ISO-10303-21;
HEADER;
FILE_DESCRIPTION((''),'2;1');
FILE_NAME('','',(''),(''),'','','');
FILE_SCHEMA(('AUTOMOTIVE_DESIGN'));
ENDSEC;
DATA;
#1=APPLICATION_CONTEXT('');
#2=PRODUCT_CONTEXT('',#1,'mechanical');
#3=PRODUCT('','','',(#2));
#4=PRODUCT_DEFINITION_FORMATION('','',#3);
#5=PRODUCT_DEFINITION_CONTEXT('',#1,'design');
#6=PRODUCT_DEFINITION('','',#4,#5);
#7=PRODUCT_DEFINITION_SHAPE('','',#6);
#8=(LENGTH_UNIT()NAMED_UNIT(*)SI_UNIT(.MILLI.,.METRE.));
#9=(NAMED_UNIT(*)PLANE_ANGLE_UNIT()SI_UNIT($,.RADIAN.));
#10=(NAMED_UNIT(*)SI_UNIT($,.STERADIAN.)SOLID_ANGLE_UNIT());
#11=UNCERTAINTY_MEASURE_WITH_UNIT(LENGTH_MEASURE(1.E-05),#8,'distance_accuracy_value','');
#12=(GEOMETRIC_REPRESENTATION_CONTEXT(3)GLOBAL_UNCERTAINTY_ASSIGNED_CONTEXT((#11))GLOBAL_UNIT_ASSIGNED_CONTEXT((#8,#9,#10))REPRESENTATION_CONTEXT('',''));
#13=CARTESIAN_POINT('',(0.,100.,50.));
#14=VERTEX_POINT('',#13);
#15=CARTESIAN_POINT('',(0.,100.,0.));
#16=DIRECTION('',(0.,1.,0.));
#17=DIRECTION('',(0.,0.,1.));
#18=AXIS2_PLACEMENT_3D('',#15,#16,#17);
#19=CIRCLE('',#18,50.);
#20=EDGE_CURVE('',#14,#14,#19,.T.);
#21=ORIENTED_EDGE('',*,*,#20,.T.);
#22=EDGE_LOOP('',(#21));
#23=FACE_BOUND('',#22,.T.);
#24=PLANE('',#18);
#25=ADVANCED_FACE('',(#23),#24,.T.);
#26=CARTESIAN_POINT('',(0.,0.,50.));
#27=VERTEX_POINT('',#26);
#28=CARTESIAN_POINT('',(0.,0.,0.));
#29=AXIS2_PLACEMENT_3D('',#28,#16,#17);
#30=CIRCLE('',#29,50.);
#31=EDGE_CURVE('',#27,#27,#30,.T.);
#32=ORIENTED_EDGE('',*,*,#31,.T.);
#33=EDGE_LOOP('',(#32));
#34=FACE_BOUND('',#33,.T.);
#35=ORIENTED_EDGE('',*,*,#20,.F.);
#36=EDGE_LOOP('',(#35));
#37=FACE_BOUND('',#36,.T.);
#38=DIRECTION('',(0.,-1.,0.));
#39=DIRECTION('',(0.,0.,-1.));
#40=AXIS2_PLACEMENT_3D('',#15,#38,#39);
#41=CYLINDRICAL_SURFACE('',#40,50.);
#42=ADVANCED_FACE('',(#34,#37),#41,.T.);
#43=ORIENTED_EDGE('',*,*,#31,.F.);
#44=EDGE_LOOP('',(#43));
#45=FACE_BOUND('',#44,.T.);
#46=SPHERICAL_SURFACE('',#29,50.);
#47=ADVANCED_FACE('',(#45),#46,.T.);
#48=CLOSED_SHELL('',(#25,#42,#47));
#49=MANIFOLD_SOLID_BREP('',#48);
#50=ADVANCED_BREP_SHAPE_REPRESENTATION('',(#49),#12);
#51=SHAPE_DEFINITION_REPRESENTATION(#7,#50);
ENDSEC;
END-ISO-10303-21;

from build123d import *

# Parameters (mm, degrees)
SKETCH1_R           = 50
BOSS_EXTRUDE1_DEPTH = 100


with BuildPart() as part:
    # Sketch1 → Boss-Extrude1 (new body)
    with BuildSketch(Plane(origin=(0, 0, 0), x_dir=(1, 0, 0), z_dir=(0, 1, 0))):
        Circle(SKETCH1_R)
    extrude(amount=BOSS_EXTRUDE1_DEPTH)

    # Sketch2 → Revolve1 (revolve)
    with BuildSketch(Plane(origin=(0, 0, 0), x_dir=(0, 0, -1), z_dir=(1, 0, 0))):
        with BuildLine():
            Line((-50, 0), (0, 0))
            Line((0, 0), (0, -50))
            ThreePointArc((0, -50), (-35.355339059, -35.355339059), (-50, 0))
        make_face()
    revolve(axis=Axis((0, 0, 0), (0, -1, 0)))


solid = part.part
